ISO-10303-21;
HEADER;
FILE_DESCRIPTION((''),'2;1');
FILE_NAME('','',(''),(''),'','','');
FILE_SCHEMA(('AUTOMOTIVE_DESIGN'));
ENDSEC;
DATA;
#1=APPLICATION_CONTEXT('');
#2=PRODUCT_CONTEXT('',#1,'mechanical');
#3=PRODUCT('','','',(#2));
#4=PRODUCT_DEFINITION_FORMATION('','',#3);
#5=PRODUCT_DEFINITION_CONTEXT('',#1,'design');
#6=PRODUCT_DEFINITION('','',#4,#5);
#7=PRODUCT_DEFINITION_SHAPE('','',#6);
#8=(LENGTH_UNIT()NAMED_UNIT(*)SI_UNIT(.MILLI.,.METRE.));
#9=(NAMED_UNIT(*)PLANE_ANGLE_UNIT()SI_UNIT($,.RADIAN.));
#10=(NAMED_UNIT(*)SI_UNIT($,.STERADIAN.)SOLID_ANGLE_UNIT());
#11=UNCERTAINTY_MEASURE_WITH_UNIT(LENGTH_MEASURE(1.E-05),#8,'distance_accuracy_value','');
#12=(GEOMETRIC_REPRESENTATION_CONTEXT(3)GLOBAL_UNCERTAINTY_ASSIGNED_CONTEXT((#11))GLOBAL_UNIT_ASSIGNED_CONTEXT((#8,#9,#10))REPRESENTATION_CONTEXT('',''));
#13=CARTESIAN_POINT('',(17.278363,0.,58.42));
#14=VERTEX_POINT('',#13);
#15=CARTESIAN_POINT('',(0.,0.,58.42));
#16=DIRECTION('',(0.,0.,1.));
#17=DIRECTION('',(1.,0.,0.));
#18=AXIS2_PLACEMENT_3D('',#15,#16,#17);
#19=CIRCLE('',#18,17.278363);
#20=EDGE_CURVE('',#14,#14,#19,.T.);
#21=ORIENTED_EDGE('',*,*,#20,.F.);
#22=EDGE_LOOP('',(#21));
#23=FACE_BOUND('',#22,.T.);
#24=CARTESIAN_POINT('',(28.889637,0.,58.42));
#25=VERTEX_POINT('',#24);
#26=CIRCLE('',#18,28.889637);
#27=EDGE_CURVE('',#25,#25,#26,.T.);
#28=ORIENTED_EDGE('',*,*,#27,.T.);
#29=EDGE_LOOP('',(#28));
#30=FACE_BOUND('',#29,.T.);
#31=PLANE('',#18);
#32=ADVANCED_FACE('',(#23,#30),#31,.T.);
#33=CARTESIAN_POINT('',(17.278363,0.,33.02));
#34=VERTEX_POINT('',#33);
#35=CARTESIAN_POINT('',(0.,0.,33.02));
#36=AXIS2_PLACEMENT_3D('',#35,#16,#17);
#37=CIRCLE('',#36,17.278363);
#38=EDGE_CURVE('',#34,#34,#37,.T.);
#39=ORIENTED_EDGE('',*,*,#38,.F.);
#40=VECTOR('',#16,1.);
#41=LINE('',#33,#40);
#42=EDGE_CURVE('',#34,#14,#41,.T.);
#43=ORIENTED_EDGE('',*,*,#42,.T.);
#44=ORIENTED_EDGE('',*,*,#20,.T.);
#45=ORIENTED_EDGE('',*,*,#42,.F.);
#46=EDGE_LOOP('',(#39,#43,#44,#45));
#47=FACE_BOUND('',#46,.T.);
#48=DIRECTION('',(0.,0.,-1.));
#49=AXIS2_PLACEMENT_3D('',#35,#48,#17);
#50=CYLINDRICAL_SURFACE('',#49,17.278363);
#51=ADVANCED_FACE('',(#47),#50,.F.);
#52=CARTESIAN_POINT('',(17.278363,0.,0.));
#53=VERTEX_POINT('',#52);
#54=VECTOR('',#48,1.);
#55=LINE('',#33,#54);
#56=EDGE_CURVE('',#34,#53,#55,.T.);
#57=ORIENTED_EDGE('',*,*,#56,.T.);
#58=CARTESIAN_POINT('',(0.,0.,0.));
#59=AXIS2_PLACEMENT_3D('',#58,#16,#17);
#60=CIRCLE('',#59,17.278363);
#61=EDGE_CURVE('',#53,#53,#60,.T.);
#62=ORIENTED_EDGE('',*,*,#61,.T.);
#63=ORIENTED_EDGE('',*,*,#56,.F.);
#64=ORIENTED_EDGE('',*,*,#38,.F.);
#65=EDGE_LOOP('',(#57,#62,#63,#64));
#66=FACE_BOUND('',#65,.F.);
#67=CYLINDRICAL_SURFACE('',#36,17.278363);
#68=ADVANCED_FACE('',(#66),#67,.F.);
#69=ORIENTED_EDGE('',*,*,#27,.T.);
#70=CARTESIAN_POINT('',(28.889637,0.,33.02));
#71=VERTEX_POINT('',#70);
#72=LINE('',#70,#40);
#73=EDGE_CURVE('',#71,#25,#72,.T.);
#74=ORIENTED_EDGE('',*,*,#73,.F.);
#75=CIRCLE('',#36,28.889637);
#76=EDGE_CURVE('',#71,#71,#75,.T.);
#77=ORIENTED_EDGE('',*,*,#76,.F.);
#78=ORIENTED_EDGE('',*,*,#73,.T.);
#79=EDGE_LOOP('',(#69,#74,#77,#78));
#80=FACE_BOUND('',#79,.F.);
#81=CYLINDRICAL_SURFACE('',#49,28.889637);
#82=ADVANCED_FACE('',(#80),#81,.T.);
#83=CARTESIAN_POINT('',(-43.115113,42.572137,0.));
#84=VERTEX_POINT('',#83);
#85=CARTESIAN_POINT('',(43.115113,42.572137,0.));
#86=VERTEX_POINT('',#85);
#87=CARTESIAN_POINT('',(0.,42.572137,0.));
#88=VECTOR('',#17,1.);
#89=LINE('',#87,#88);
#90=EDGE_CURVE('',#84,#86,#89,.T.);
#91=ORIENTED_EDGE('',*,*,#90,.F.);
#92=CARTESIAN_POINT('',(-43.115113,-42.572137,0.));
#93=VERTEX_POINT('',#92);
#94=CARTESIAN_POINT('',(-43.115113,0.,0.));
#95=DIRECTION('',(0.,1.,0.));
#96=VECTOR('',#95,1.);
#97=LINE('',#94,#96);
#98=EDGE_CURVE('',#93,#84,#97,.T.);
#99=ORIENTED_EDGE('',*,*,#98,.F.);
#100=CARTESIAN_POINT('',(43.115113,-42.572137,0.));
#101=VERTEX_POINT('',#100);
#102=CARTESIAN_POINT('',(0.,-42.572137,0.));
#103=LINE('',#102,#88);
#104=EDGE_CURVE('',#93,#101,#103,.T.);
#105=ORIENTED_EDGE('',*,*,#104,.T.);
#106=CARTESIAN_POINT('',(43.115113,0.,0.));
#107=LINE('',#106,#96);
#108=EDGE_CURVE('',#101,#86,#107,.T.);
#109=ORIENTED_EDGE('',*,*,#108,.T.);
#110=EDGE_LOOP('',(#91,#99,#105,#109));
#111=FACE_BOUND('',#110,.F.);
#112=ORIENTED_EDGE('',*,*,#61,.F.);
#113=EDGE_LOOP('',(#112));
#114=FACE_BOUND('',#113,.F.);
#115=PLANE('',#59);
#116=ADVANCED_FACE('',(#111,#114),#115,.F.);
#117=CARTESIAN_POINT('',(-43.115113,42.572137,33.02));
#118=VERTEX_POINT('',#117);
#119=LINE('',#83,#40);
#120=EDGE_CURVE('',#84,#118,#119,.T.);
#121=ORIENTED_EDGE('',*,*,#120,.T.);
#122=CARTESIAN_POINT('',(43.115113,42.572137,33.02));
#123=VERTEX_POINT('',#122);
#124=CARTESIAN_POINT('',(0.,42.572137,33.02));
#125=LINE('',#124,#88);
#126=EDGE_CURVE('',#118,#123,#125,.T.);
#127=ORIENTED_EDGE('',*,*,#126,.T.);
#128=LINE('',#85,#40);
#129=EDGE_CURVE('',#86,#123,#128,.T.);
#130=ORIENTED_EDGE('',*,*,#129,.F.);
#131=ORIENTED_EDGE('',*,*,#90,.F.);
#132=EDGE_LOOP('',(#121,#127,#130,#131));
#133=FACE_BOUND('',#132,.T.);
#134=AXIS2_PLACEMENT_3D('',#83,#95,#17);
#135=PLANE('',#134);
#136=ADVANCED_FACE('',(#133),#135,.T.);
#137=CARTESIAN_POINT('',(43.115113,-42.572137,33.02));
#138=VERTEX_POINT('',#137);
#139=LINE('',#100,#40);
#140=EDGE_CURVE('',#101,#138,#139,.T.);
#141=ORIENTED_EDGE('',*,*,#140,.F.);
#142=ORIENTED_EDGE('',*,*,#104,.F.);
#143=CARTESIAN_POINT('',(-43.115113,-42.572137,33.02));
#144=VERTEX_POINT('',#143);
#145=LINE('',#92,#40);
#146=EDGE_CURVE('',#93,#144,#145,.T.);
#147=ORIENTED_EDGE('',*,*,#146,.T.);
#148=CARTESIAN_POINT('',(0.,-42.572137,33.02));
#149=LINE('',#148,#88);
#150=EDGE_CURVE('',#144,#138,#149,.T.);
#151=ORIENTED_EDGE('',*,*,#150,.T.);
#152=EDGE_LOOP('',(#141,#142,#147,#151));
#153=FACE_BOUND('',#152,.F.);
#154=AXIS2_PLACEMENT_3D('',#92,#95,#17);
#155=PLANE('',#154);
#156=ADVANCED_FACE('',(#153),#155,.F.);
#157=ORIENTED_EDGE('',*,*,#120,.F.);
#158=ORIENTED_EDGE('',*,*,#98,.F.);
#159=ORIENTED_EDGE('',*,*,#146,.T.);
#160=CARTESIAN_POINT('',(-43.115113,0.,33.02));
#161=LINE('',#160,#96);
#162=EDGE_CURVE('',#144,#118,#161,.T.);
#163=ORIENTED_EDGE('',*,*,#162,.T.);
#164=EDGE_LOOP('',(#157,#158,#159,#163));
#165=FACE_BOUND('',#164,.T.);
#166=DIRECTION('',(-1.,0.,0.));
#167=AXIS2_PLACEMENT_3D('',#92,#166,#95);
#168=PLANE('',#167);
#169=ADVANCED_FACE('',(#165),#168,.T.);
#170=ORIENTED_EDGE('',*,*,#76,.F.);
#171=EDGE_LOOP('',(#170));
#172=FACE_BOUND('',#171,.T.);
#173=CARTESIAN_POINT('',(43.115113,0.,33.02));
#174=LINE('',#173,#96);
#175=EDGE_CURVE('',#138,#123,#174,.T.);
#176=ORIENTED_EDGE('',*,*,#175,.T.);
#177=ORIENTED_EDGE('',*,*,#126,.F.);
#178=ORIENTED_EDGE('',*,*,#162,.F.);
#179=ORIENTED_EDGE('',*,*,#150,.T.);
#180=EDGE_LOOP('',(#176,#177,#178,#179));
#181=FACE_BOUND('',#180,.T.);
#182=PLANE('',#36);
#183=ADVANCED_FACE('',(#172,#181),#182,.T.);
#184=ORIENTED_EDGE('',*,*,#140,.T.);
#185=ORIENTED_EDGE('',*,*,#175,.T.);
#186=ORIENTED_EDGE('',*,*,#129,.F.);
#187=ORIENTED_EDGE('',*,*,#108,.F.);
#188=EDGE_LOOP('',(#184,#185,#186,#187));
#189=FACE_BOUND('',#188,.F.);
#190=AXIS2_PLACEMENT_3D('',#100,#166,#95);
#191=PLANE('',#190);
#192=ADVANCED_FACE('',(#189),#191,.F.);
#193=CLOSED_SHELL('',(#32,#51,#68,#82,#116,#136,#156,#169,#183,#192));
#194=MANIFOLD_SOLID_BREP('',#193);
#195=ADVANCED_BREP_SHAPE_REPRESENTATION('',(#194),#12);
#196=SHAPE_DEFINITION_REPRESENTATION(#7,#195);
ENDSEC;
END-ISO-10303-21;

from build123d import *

# Parameters (mm, degrees)
F0_W      = 86.230226
F0_H      = 85.144274
F1_DEPTH  = 33.02
F2_R      = 28.889637
F2_R_2    = 17.278363
F3_DEPTH  = 25.4
F3_FACE_R = 17.278363
F4_DEPTH  = 127


with BuildPart() as f1:
    # F0 (on Top) → F1 (new body)
    with BuildSketch(Plane.XY):
        Rectangle(F0_W, F0_H)
    extrude(amount=F1_DEPTH)

    # F2 (on face) → F3 (join)
    with BuildSketch(Plane.XY.offset(33.02)):
        Circle(F2_R)
        Circle(F2_R_2, mode=Mode.SUBTRACT)
    extrude(amount=F3_DEPTH)

    # F3_face (on face) → F4 (cut)
    with BuildSketch(Plane.XY.offset(33.02)):
        Circle(F3_FACE_R)
    extrude(amount=-F4_DEPTH, mode=Mode.SUBTRACT)


solid = f1.part
